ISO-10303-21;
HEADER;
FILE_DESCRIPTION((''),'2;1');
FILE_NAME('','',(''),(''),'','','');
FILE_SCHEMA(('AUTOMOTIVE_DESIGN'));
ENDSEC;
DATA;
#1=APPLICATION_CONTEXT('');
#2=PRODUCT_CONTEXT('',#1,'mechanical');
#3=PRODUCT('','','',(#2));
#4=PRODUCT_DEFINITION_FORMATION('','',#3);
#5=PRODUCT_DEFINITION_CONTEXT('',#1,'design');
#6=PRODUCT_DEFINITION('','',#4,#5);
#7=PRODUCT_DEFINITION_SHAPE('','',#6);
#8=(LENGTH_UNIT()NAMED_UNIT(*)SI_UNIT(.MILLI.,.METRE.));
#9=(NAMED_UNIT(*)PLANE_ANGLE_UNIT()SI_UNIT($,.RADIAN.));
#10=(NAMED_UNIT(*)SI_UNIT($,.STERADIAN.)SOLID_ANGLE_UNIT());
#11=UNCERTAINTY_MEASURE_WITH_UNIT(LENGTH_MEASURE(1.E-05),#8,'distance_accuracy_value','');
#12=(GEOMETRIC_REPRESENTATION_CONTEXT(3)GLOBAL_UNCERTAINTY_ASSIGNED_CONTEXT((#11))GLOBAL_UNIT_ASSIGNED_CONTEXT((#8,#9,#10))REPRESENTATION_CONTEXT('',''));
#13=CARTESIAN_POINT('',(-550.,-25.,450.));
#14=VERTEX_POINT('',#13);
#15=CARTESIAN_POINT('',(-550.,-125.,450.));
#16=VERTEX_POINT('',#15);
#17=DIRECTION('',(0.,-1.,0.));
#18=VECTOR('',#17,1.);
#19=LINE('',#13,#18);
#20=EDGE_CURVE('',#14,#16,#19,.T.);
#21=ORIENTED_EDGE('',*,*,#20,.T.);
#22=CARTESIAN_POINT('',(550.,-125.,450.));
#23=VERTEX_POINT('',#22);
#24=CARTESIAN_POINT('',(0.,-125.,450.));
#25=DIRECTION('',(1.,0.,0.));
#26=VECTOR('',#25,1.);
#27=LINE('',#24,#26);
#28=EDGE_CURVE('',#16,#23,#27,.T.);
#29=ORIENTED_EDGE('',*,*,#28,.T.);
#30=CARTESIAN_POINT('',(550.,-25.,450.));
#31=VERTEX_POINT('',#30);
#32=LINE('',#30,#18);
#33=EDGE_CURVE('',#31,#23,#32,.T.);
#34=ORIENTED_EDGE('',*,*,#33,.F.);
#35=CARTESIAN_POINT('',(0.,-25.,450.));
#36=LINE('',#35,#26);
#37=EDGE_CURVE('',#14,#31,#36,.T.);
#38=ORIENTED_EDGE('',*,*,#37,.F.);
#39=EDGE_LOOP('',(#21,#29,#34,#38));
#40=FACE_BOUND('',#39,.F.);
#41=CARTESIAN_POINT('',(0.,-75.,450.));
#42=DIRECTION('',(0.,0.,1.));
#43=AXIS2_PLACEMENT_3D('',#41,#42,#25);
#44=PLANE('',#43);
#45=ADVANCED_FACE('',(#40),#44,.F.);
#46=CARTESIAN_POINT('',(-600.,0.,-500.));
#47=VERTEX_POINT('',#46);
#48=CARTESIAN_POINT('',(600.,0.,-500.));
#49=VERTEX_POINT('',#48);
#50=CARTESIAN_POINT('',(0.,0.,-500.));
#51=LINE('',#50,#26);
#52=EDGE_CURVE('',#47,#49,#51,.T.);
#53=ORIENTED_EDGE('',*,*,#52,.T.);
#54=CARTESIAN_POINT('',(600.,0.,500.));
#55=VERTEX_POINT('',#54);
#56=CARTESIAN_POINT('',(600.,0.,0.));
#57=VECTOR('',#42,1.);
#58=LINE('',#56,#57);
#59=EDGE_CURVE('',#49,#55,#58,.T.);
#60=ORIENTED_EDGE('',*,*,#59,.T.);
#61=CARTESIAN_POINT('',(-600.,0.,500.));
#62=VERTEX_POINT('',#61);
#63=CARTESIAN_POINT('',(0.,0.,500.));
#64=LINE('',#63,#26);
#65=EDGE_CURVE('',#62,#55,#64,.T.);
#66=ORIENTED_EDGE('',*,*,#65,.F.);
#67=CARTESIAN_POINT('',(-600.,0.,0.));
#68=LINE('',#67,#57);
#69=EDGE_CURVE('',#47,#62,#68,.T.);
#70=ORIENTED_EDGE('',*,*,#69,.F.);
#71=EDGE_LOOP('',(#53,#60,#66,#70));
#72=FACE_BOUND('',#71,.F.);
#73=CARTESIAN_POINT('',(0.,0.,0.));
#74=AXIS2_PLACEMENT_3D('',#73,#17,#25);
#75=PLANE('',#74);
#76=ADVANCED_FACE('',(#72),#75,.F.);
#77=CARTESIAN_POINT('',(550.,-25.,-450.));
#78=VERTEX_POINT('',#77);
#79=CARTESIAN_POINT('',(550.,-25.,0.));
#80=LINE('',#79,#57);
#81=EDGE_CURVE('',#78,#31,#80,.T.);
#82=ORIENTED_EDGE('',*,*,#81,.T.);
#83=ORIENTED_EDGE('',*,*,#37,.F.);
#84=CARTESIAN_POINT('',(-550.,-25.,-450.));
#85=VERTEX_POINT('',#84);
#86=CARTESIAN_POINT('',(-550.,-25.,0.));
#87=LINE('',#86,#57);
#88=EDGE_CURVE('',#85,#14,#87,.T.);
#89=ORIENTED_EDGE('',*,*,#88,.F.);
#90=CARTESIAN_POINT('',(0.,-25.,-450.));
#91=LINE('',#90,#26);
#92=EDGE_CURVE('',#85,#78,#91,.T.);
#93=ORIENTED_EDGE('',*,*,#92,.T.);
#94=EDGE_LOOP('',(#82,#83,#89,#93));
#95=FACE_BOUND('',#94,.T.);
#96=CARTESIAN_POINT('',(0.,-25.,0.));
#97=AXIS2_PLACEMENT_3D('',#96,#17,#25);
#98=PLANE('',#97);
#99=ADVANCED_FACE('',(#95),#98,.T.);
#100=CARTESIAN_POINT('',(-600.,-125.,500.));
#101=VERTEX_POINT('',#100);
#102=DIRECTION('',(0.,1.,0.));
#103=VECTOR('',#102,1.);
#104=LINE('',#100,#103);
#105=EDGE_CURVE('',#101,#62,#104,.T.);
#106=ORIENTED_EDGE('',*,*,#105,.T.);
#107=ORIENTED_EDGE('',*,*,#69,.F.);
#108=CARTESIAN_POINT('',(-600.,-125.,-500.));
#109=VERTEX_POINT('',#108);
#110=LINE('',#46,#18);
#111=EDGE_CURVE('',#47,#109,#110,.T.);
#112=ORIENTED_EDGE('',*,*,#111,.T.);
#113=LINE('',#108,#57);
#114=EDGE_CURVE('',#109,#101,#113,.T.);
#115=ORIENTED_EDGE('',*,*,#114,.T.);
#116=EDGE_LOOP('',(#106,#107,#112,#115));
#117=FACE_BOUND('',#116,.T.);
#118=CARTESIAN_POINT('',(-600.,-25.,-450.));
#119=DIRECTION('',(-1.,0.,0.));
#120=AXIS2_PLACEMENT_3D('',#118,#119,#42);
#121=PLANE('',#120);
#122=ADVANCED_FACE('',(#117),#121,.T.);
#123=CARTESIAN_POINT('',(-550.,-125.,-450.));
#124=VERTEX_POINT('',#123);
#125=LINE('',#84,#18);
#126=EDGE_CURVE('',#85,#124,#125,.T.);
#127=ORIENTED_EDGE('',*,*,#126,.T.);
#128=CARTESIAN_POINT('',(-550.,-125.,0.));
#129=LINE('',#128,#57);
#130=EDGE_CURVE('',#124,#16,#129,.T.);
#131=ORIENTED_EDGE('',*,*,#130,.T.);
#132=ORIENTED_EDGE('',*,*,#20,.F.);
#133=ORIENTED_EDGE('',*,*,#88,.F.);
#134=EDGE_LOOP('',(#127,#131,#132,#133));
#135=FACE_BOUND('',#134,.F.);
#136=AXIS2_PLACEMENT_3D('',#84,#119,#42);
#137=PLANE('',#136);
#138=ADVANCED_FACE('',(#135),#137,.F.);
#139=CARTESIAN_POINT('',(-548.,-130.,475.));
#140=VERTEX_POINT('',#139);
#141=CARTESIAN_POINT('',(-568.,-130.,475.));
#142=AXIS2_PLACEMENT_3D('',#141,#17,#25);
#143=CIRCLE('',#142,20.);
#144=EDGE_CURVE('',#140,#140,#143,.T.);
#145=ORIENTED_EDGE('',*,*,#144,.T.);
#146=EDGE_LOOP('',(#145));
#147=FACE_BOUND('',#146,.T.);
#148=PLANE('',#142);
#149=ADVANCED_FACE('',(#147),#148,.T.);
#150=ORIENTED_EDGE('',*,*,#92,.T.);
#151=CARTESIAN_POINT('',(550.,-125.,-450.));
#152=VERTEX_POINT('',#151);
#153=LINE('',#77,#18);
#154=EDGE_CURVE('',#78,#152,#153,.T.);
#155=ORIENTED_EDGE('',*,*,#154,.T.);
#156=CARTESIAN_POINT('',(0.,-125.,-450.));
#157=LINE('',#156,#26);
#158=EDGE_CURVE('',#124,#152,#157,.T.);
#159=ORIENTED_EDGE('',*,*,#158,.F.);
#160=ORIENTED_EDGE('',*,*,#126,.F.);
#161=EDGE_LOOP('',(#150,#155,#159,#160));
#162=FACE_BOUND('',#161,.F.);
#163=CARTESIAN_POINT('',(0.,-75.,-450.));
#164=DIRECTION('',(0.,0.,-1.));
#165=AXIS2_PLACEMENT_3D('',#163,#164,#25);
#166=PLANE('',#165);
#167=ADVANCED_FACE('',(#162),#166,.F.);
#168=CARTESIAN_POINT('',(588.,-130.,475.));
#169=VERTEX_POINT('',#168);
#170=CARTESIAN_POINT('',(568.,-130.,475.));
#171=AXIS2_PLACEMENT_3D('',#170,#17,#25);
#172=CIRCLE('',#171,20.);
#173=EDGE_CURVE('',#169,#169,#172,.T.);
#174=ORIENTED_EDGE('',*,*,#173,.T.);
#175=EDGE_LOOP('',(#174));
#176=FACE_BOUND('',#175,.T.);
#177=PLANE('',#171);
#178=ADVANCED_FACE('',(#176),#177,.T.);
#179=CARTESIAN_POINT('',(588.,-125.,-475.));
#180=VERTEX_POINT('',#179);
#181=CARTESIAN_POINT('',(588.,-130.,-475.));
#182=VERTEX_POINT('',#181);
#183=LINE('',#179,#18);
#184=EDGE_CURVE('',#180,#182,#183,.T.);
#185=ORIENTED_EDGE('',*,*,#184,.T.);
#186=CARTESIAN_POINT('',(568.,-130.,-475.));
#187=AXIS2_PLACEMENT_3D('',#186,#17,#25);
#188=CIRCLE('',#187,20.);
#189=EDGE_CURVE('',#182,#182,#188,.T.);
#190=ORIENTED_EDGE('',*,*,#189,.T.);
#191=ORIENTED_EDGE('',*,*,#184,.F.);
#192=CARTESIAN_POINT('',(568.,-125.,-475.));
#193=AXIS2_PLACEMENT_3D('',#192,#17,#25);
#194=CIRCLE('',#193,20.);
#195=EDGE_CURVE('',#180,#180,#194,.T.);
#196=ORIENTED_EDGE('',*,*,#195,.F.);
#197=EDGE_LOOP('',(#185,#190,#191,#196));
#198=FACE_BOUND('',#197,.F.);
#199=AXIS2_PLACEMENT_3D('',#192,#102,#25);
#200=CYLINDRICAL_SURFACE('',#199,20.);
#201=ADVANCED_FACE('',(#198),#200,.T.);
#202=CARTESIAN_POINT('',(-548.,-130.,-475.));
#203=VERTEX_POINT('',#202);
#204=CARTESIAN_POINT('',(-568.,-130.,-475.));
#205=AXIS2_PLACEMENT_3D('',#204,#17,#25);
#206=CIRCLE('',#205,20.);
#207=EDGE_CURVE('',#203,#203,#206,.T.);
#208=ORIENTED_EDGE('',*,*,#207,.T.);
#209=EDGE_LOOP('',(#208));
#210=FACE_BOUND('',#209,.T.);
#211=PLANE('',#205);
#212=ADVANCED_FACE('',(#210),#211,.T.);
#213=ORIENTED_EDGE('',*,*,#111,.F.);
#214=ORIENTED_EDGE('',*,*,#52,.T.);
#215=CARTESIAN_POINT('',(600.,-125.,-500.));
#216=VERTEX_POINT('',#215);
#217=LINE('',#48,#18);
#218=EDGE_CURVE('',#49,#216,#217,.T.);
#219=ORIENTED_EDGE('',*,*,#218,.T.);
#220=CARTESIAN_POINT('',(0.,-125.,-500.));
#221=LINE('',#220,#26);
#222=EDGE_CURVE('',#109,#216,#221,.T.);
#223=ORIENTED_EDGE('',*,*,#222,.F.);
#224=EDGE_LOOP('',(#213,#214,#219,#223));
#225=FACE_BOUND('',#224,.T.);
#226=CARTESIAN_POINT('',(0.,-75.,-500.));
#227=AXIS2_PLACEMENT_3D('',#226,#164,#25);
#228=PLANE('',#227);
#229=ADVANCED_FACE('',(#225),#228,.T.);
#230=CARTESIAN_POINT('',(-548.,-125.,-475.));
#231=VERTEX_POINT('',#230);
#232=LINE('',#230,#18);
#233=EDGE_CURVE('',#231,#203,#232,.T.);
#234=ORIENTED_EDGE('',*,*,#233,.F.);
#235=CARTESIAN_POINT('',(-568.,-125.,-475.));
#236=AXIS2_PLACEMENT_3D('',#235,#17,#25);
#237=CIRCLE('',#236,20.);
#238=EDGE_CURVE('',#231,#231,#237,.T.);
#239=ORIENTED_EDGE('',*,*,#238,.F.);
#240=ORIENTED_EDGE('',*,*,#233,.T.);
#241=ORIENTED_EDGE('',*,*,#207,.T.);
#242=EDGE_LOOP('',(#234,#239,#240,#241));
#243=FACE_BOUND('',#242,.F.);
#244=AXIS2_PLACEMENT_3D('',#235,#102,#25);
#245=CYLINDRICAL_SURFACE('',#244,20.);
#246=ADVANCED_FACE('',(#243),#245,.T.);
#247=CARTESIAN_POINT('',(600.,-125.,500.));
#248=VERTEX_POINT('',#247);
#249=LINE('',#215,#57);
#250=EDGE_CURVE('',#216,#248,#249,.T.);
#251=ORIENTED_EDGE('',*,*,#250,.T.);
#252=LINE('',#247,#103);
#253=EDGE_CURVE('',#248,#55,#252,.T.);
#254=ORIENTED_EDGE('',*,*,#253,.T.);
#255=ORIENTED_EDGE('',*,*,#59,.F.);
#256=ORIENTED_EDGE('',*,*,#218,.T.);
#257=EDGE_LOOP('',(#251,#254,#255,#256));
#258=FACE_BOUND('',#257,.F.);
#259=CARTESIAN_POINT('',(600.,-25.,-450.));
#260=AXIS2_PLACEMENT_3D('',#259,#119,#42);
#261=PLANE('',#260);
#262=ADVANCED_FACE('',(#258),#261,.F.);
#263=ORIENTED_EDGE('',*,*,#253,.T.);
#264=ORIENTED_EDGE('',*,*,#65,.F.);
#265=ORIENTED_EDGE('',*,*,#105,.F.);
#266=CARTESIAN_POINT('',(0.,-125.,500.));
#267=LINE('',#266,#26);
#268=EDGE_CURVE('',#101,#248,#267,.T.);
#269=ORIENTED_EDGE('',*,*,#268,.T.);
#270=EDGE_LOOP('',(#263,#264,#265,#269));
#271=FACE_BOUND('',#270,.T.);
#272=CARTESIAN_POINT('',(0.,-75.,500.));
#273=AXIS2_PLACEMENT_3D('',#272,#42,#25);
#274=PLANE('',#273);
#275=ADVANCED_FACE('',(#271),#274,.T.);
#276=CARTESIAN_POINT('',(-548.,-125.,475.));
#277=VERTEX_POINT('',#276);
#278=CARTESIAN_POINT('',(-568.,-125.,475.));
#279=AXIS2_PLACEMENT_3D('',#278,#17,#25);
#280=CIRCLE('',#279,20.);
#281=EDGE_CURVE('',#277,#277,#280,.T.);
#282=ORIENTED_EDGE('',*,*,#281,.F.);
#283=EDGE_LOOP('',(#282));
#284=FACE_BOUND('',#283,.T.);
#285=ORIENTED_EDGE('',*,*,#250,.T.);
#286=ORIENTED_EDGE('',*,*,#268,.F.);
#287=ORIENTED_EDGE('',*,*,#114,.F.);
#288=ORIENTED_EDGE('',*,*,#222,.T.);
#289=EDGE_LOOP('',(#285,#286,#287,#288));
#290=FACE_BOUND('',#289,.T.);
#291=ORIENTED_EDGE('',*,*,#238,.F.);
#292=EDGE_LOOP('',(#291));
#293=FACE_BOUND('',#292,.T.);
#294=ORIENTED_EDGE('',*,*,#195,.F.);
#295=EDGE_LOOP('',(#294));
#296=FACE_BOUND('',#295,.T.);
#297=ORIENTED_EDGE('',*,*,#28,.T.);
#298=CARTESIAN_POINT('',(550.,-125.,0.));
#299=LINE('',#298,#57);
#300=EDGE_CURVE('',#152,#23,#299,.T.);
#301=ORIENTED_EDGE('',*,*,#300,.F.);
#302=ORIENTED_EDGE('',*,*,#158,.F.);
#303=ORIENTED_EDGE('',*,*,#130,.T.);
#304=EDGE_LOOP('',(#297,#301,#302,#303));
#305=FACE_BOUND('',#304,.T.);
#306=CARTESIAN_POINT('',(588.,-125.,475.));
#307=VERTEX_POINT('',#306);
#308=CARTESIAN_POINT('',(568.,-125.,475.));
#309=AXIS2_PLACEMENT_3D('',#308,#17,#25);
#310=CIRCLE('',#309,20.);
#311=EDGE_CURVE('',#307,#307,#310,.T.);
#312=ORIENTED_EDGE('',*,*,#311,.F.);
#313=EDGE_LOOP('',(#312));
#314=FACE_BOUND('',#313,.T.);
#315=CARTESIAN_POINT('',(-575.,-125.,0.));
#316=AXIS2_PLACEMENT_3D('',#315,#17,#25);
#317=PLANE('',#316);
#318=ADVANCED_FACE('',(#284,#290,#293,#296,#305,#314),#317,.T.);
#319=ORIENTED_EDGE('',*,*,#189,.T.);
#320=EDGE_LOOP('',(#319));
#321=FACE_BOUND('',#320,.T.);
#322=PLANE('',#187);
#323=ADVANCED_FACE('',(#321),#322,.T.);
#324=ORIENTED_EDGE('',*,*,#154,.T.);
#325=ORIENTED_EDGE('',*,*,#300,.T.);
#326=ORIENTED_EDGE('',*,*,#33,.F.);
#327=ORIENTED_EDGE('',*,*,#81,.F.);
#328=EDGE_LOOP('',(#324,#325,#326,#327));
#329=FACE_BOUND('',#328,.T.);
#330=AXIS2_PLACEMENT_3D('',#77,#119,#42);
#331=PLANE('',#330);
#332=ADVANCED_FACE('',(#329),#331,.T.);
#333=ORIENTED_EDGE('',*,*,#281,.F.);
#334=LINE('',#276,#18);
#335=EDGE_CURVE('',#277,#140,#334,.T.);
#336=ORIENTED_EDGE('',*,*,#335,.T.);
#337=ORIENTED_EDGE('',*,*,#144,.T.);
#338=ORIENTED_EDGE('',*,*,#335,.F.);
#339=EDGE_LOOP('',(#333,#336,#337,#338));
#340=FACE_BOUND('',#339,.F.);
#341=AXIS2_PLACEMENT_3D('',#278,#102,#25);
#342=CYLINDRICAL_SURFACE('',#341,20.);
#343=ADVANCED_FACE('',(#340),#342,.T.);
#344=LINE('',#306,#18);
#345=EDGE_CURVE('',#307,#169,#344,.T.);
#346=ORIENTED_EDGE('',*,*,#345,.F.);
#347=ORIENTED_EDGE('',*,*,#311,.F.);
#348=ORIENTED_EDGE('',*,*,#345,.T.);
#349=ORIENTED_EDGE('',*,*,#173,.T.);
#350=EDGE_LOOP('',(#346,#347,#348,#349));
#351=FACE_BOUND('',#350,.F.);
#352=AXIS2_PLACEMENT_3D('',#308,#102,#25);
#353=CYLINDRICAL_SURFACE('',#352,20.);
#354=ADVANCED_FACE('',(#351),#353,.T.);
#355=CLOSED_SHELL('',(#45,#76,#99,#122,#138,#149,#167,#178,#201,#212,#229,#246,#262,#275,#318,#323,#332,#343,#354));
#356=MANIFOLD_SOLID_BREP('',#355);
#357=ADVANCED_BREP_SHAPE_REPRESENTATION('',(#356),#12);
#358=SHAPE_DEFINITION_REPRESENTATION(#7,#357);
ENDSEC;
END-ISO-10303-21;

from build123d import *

# Parameters (mm, degrees)
F0_W      = 1200
F0_H      = 1000
F1_DEPTH  = 25
F2_W      = 1200
F2_H      = 100
F3_DEPTH  = 50
F4_W      = 1200
F4_H      = 100
F5_DEPTH  = 50
F6_R      = 20
F7_DEPTH  = 5
F8_W      = 50
F8_H      = 900
F9_DEPTH  = 100
F10_W     = 50
F10_H     = 900
F11_DEPTH = 100


with BuildPart() as f1:
    # F0 (on Front) → F1 (new body)
    with BuildSketch(Plane.XZ):
        Rectangle(F0_W, F0_H)
    extrude(amount=F1_DEPTH)

    # F2 (on face) → F3 (join)
    with BuildSketch(Plane.XY.offset(500)):
        with Locations((0, -75)):
            Rectangle(F2_W, F2_H)
    extrude(amount=-F3_DEPTH)

    # F4 (on face) → F5 (join)
    with BuildSketch(Plane(origin=(0, 0, -500), x_dir=(1, 0, 0), z_dir=(0, 0, -1))):
        with Locations((0, 75)):
            Rectangle(F4_W, F4_H)
    extrude(amount=-F5_DEPTH)

    # F6 (on face) → F7 (join)
    with BuildSketch(Plane.XZ.offset(125)):
        with Locations((-568, 475)):
            Circle(F6_R)
        with Locations((568, 475)):
            Circle(F6_R)
        with Locations((-568, -475)):
            Circle(F6_R)
        with Locations((568, -475)):
            Circle(F6_R)
    extrude(amount=F7_DEPTH)

    # F8 (on face) → F9 (join)
    with BuildSketch(Plane.XZ.offset(25)):
        with Locations((575, 0)):
            Rectangle(F8_W, F8_H)
    extrude(amount=F9_DEPTH)

    # F10 (on face) → F11 (join)
    with BuildSketch(Plane.XZ.offset(25)):
        with Locations((-575, 0)):
            Rectangle(F10_W, F10_H)
    extrude(amount=F11_DEPTH)


solid = f1.part
